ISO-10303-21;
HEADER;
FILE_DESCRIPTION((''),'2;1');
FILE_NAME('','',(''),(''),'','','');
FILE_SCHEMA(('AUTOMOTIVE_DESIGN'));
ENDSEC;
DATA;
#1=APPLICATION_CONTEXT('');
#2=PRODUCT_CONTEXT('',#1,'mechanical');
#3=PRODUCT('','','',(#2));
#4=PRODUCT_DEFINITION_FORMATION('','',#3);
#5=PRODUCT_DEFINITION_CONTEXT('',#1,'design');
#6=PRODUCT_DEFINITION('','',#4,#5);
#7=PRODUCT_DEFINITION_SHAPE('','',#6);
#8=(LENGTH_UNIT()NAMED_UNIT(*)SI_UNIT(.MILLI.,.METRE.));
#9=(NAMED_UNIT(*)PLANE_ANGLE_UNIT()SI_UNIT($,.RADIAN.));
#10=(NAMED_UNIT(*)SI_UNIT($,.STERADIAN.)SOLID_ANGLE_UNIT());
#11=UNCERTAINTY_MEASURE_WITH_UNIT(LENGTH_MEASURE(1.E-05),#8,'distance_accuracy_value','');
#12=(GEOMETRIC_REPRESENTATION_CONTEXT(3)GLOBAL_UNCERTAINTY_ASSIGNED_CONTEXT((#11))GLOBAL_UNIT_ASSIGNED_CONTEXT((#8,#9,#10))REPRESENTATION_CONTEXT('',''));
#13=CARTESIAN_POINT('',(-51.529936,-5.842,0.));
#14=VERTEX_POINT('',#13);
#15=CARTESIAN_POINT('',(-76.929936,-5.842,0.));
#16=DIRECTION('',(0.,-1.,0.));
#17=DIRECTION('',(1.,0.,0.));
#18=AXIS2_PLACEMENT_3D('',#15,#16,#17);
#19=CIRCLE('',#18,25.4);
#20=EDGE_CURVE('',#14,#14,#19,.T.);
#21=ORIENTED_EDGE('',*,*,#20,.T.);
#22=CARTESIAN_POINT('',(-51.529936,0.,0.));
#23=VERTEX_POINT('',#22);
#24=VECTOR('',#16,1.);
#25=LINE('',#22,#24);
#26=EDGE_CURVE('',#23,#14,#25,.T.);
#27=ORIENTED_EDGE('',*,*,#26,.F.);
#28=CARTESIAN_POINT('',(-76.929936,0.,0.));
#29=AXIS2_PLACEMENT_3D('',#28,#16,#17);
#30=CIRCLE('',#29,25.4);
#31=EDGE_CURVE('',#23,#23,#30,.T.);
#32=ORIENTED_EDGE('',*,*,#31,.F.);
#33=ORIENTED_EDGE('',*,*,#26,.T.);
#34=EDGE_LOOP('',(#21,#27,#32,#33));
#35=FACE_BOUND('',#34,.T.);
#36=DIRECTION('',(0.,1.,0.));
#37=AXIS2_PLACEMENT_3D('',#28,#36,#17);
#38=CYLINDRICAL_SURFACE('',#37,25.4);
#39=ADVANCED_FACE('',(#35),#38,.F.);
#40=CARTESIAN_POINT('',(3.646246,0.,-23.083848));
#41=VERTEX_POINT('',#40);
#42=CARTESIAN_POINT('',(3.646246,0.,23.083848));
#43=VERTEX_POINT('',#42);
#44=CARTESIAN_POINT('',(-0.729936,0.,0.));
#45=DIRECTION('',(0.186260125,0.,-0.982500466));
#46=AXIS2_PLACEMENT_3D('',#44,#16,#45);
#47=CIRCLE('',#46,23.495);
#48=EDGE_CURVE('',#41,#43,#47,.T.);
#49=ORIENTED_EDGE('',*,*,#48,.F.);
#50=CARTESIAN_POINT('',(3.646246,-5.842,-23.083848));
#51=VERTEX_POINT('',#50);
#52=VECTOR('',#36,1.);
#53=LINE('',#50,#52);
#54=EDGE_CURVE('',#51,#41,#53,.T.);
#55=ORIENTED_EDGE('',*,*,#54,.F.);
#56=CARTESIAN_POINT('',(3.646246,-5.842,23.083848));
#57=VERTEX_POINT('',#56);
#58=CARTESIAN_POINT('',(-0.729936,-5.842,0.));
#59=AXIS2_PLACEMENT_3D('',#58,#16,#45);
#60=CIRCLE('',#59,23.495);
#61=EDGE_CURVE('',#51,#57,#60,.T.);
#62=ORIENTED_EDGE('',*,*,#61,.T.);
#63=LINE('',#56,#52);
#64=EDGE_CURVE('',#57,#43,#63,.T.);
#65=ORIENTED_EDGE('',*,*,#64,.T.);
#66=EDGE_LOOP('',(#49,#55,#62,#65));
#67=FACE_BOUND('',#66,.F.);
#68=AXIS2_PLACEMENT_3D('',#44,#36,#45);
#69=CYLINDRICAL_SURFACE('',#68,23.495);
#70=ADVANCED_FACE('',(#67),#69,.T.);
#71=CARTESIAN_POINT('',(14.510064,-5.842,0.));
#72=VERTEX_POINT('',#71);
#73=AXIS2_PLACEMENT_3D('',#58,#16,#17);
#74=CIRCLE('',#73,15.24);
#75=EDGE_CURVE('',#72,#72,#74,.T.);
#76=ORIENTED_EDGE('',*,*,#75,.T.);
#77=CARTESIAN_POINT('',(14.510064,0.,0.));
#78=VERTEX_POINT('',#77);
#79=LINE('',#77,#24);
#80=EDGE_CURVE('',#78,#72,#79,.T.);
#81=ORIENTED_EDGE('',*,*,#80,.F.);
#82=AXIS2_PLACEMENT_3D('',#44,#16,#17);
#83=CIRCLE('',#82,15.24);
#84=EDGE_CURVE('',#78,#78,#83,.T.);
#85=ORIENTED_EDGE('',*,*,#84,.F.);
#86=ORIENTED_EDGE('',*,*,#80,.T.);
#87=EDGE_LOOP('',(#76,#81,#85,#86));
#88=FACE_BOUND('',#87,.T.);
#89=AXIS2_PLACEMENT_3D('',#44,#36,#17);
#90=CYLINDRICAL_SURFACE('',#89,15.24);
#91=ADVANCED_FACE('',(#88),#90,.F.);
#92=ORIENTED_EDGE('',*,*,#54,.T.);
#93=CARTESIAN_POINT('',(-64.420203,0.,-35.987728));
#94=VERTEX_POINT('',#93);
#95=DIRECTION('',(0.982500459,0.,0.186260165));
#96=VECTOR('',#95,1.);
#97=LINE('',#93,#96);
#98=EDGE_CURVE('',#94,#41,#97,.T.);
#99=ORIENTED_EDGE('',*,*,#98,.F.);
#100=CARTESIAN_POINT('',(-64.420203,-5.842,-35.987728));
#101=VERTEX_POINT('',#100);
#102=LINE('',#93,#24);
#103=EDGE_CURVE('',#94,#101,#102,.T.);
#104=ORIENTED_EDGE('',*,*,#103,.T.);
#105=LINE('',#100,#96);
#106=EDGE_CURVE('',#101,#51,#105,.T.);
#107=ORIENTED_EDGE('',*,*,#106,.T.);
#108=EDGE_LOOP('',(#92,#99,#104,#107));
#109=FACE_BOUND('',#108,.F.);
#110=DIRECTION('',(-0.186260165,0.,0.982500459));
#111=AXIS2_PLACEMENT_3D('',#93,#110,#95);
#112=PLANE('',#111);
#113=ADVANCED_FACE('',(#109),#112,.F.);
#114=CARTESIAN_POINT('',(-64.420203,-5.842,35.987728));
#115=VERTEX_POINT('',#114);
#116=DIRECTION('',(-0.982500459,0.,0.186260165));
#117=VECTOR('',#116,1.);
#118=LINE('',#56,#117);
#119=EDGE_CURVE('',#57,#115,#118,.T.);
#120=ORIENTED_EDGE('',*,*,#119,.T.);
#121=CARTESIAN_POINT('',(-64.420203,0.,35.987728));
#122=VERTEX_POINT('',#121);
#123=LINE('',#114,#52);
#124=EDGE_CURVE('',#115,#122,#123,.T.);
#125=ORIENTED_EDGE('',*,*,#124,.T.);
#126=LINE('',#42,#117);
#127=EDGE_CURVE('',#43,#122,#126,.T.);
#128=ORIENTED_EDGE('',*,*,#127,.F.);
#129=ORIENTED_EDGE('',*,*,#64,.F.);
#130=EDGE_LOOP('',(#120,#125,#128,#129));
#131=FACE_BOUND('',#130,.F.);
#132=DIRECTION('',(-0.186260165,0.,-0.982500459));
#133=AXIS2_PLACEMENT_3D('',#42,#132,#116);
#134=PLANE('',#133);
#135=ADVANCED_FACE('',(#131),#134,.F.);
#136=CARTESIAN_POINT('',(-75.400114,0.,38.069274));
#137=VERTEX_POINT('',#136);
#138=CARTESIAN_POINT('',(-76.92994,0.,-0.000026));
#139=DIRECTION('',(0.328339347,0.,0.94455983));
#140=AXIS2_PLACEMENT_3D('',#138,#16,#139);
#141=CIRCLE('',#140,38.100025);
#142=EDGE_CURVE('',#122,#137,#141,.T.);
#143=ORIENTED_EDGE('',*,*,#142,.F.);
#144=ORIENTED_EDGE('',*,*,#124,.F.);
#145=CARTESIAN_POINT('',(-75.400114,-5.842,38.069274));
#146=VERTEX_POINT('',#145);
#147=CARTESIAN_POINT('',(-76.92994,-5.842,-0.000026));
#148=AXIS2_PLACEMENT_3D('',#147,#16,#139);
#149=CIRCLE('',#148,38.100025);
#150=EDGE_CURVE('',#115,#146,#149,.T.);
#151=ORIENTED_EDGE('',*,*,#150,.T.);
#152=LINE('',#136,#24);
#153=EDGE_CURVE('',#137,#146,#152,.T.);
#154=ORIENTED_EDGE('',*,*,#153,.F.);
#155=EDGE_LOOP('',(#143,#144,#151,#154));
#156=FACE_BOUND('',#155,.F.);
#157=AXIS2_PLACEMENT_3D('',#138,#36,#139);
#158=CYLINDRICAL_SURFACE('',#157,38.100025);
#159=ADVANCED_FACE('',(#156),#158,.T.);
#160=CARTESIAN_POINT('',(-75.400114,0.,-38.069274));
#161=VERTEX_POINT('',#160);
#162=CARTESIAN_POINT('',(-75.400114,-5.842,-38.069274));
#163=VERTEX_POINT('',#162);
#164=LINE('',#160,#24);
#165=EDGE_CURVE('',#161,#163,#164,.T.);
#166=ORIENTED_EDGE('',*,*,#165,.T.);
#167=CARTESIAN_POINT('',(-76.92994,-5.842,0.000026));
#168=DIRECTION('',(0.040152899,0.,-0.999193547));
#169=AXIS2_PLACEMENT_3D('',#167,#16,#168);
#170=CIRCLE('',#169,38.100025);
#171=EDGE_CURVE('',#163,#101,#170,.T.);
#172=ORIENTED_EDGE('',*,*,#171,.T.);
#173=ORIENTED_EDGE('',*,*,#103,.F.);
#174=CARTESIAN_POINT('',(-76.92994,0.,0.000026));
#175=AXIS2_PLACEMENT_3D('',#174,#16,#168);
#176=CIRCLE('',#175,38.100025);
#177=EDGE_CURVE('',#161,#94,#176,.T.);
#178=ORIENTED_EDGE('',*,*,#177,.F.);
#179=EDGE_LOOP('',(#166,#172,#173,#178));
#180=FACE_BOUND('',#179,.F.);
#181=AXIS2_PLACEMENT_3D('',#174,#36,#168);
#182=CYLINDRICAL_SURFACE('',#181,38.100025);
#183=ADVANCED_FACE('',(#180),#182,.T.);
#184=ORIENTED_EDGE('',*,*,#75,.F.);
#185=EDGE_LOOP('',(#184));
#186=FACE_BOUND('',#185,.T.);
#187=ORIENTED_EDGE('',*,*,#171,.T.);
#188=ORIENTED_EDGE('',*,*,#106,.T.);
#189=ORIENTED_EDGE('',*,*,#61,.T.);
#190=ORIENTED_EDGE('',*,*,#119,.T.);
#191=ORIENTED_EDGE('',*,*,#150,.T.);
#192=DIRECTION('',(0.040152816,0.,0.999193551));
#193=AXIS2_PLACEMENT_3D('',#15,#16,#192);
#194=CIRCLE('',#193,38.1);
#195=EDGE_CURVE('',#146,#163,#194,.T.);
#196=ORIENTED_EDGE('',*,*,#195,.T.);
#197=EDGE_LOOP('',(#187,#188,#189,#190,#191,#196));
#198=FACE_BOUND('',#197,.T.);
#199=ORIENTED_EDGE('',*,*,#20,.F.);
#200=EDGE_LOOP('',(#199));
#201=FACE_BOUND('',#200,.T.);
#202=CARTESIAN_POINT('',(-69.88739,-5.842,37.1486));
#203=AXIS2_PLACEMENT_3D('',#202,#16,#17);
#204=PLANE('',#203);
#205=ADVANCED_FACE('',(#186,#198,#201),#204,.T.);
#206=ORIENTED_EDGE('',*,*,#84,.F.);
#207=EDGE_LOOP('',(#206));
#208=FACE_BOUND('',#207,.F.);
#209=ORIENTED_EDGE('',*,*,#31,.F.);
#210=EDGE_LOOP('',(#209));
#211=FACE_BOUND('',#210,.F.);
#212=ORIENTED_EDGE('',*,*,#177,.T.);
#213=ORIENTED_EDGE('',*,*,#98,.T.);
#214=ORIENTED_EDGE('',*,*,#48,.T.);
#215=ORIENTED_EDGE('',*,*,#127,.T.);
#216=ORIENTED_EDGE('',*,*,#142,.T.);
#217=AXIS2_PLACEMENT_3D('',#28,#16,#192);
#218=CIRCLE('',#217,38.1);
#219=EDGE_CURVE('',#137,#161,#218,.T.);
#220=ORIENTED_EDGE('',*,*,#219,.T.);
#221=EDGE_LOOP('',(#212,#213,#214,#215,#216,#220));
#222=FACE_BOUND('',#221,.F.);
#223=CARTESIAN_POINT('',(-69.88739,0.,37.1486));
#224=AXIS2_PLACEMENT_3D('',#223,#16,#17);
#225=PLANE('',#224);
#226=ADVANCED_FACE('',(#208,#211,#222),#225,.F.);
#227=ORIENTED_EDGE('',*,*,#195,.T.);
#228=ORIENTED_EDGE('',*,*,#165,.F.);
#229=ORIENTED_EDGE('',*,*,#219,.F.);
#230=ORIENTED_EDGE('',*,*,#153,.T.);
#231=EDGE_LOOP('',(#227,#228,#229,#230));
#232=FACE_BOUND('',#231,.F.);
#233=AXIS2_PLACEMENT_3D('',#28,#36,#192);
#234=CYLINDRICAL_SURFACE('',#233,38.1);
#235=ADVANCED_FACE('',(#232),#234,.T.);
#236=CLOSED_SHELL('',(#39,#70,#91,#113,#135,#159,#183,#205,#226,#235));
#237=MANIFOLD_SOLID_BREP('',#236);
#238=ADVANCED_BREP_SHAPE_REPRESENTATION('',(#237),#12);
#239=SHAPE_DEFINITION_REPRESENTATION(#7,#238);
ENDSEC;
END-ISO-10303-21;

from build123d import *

# Parameters (mm, degrees)
F0_R     = 25.4
F0_R_2   = 15.24
F1_DEPTH = 5.588
F2_DEPTH = 5.842


with BuildPart() as f1:
    # F0 (on Front) → F1 (new body)
    with BuildSketch(Plane.XZ):
        with BuildLine():
            Line((-75.400114, 38.069274), (-64.420203, 35.987728))
            ThreePointArc((-64.420203, 35.987728), (-69.833424, 37.433267), (-75.400114, 38.069274))
        make_face()
        with BuildLine():
            Line((3.646246, 23.083848), (-64.420203, 35.987728))
            Line((-64.420203, 35.987728), (-75.400114, 38.069274))
            ThreePointArc((-75.400114, 38.069274), (-115.029936, 0), (-75.400114, -38.069274))
            Line((-75.400114, -38.069274), (-64.420203, -35.987728))
            Line((-64.420203, -35.987728), (3.646246, -23.083848))
            ThreePointArc((3.646246, -23.083848), (22.765064, 0), (3.646246, 23.083848))
        make_face()
        with Locations((-76.929936, 0)):
            Circle(F0_R, mode=Mode.SUBTRACT)
        with Locations((-0.729936, 0)):
            Circle(F0_R_2, mode=Mode.SUBTRACT)
        with BuildLine():
            Line((-64.420203, -35.987728), (-75.400114, -38.069274))
            ThreePointArc((-75.400114, -38.069274), (-69.833424, -37.433267), (-64.420203, -35.987728))
        make_face()
    extrude(amount=F1_DEPTH)

    # F0 (on Front) → F2 (join)
    with BuildSketch(Plane.XZ):
        with BuildLine():
            Line((-75.400114, 38.069274), (-64.420203, 35.987728))
            ThreePointArc((-64.420203, 35.987728), (-69.833424, 37.433267), (-75.400114, 38.069274))
        make_face()
        with BuildLine():
            Line((3.646246, 23.083848), (-64.420203, 35.987728))
            Line((-64.420203, 35.987728), (-75.400114, 38.069274))
            ThreePointArc((-75.400114, 38.069274), (-115.029936, 0), (-75.400114, -38.069274))
            Line((-75.400114, -38.069274), (-64.420203, -35.987728))
            Line((-64.420203, -35.987728), (3.646246, -23.083848))
            ThreePointArc((3.646246, -23.083848), (22.765064, 0), (3.646246, 23.083848))
        make_face()
        with Locations((-76.929936, 0)):
            Circle(F0_R, mode=Mode.SUBTRACT)
        with Locations((-0.729936, 0)):
            Circle(F0_R_2, mode=Mode.SUBTRACT)
        with BuildLine():
            Line((-64.420203, -35.987728), (-75.400114, -38.069274))
            ThreePointArc((-75.400114, -38.069274), (-69.833424, -37.433267), (-64.420203, -35.987728))
        make_face()
    extrude(amount=F2_DEPTH)


solid = f1.part
